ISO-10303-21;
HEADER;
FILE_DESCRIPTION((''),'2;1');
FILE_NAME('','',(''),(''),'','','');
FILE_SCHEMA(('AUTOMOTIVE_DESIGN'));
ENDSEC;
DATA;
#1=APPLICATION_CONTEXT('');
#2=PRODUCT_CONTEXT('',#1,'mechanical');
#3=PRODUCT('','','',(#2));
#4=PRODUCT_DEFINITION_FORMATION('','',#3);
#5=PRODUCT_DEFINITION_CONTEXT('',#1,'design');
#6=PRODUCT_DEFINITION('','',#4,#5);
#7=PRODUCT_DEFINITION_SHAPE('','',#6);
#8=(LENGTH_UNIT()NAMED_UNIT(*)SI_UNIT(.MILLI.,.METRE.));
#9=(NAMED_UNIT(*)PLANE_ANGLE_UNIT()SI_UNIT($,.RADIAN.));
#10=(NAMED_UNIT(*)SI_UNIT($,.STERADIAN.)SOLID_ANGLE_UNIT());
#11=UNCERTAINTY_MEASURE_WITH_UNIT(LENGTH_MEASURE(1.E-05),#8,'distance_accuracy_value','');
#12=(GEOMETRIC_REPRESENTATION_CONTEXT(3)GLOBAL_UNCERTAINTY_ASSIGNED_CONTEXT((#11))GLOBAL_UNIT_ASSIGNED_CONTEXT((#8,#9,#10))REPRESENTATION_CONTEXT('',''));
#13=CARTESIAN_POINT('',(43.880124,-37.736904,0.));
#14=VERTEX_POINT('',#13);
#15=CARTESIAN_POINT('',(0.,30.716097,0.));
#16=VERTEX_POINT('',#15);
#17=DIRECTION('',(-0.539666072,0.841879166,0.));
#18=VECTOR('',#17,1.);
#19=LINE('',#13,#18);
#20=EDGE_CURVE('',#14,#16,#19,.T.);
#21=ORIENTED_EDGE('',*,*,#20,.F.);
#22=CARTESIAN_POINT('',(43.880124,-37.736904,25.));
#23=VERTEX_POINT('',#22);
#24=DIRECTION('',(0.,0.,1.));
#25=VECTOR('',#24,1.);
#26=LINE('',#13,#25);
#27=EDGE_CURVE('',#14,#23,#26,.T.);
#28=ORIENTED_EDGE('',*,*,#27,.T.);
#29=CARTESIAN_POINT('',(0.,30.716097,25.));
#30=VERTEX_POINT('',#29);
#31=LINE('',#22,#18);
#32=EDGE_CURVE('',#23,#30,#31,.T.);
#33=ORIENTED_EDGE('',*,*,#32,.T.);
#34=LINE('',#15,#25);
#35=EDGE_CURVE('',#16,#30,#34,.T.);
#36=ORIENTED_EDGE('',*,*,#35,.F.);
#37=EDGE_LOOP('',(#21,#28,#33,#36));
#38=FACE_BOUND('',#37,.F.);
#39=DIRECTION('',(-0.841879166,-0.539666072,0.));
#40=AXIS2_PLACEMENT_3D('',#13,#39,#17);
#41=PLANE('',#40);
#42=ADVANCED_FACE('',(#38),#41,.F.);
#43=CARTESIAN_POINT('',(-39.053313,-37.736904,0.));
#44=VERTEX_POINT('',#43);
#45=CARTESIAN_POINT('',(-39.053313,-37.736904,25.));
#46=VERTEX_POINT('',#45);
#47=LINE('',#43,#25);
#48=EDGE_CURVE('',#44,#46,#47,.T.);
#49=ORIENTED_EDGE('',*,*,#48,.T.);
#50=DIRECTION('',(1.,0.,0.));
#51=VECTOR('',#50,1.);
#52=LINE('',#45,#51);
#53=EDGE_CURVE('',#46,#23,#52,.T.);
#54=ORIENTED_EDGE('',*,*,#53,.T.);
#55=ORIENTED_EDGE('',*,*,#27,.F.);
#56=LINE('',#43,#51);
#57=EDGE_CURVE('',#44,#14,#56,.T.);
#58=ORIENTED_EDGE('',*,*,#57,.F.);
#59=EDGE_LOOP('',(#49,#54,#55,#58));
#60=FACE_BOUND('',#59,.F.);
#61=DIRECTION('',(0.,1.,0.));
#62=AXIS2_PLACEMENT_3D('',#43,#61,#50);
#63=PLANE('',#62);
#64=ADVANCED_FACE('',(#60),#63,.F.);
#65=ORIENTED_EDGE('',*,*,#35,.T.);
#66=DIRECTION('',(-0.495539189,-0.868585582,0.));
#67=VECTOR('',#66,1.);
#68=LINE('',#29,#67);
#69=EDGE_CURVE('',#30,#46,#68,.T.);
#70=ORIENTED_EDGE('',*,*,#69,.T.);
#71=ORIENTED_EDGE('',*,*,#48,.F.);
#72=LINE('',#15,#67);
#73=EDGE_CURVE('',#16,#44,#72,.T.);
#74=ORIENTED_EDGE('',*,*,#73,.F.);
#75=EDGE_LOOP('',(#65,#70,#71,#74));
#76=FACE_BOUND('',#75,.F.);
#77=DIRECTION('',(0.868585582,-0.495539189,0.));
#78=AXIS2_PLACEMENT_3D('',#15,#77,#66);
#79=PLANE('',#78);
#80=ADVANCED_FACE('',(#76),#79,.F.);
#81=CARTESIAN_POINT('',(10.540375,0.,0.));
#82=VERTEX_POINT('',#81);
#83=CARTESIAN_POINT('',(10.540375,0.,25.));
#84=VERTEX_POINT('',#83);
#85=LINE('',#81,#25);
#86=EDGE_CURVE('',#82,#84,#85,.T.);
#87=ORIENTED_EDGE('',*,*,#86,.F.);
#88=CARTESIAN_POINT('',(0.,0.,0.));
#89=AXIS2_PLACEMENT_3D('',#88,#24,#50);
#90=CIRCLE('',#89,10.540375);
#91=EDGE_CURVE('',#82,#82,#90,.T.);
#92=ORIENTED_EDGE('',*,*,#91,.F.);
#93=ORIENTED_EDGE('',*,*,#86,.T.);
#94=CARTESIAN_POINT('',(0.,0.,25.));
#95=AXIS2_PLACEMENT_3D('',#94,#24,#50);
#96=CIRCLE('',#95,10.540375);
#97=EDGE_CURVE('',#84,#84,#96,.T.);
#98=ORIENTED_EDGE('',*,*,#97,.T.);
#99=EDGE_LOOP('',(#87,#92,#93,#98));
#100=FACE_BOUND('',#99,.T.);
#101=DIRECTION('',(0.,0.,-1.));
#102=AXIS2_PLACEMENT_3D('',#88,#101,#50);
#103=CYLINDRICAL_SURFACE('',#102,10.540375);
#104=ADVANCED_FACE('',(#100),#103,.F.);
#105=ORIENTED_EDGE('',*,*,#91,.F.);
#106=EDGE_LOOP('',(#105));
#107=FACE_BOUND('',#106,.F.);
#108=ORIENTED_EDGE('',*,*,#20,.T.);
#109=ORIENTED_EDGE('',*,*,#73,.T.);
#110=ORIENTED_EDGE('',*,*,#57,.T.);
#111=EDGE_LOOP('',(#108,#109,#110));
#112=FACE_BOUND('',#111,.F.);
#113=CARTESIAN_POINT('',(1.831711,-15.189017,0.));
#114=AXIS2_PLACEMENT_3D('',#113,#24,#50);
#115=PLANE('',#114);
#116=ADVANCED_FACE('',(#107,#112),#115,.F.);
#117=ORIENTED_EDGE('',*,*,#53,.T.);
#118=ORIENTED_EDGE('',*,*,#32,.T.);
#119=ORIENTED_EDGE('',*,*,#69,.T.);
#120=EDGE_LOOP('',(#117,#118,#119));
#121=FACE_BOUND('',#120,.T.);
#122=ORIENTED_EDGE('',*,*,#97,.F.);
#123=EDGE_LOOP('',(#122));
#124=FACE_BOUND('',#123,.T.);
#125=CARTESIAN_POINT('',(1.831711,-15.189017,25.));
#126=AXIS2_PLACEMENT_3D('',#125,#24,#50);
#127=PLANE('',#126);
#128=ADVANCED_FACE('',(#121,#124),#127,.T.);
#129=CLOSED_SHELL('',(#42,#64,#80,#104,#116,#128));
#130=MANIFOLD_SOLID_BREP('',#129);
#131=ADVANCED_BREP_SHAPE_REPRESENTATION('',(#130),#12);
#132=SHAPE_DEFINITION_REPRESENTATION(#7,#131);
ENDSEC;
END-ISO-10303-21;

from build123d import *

# Parameters (mm, degrees)
F0_R     = 10.540375
F2_DEPTH = 25


with BuildPart() as f2:
    # F0 (on Top) → F2 (new body)
    with BuildSketch(Plane.XY):
        Polygon((0, 30.716097), (-39.053313, -37.736904), (43.880124, -37.736904), align=None)
        Circle(F0_R, mode=Mode.SUBTRACT)
    extrude(amount=F2_DEPTH)


solid = f2.part
